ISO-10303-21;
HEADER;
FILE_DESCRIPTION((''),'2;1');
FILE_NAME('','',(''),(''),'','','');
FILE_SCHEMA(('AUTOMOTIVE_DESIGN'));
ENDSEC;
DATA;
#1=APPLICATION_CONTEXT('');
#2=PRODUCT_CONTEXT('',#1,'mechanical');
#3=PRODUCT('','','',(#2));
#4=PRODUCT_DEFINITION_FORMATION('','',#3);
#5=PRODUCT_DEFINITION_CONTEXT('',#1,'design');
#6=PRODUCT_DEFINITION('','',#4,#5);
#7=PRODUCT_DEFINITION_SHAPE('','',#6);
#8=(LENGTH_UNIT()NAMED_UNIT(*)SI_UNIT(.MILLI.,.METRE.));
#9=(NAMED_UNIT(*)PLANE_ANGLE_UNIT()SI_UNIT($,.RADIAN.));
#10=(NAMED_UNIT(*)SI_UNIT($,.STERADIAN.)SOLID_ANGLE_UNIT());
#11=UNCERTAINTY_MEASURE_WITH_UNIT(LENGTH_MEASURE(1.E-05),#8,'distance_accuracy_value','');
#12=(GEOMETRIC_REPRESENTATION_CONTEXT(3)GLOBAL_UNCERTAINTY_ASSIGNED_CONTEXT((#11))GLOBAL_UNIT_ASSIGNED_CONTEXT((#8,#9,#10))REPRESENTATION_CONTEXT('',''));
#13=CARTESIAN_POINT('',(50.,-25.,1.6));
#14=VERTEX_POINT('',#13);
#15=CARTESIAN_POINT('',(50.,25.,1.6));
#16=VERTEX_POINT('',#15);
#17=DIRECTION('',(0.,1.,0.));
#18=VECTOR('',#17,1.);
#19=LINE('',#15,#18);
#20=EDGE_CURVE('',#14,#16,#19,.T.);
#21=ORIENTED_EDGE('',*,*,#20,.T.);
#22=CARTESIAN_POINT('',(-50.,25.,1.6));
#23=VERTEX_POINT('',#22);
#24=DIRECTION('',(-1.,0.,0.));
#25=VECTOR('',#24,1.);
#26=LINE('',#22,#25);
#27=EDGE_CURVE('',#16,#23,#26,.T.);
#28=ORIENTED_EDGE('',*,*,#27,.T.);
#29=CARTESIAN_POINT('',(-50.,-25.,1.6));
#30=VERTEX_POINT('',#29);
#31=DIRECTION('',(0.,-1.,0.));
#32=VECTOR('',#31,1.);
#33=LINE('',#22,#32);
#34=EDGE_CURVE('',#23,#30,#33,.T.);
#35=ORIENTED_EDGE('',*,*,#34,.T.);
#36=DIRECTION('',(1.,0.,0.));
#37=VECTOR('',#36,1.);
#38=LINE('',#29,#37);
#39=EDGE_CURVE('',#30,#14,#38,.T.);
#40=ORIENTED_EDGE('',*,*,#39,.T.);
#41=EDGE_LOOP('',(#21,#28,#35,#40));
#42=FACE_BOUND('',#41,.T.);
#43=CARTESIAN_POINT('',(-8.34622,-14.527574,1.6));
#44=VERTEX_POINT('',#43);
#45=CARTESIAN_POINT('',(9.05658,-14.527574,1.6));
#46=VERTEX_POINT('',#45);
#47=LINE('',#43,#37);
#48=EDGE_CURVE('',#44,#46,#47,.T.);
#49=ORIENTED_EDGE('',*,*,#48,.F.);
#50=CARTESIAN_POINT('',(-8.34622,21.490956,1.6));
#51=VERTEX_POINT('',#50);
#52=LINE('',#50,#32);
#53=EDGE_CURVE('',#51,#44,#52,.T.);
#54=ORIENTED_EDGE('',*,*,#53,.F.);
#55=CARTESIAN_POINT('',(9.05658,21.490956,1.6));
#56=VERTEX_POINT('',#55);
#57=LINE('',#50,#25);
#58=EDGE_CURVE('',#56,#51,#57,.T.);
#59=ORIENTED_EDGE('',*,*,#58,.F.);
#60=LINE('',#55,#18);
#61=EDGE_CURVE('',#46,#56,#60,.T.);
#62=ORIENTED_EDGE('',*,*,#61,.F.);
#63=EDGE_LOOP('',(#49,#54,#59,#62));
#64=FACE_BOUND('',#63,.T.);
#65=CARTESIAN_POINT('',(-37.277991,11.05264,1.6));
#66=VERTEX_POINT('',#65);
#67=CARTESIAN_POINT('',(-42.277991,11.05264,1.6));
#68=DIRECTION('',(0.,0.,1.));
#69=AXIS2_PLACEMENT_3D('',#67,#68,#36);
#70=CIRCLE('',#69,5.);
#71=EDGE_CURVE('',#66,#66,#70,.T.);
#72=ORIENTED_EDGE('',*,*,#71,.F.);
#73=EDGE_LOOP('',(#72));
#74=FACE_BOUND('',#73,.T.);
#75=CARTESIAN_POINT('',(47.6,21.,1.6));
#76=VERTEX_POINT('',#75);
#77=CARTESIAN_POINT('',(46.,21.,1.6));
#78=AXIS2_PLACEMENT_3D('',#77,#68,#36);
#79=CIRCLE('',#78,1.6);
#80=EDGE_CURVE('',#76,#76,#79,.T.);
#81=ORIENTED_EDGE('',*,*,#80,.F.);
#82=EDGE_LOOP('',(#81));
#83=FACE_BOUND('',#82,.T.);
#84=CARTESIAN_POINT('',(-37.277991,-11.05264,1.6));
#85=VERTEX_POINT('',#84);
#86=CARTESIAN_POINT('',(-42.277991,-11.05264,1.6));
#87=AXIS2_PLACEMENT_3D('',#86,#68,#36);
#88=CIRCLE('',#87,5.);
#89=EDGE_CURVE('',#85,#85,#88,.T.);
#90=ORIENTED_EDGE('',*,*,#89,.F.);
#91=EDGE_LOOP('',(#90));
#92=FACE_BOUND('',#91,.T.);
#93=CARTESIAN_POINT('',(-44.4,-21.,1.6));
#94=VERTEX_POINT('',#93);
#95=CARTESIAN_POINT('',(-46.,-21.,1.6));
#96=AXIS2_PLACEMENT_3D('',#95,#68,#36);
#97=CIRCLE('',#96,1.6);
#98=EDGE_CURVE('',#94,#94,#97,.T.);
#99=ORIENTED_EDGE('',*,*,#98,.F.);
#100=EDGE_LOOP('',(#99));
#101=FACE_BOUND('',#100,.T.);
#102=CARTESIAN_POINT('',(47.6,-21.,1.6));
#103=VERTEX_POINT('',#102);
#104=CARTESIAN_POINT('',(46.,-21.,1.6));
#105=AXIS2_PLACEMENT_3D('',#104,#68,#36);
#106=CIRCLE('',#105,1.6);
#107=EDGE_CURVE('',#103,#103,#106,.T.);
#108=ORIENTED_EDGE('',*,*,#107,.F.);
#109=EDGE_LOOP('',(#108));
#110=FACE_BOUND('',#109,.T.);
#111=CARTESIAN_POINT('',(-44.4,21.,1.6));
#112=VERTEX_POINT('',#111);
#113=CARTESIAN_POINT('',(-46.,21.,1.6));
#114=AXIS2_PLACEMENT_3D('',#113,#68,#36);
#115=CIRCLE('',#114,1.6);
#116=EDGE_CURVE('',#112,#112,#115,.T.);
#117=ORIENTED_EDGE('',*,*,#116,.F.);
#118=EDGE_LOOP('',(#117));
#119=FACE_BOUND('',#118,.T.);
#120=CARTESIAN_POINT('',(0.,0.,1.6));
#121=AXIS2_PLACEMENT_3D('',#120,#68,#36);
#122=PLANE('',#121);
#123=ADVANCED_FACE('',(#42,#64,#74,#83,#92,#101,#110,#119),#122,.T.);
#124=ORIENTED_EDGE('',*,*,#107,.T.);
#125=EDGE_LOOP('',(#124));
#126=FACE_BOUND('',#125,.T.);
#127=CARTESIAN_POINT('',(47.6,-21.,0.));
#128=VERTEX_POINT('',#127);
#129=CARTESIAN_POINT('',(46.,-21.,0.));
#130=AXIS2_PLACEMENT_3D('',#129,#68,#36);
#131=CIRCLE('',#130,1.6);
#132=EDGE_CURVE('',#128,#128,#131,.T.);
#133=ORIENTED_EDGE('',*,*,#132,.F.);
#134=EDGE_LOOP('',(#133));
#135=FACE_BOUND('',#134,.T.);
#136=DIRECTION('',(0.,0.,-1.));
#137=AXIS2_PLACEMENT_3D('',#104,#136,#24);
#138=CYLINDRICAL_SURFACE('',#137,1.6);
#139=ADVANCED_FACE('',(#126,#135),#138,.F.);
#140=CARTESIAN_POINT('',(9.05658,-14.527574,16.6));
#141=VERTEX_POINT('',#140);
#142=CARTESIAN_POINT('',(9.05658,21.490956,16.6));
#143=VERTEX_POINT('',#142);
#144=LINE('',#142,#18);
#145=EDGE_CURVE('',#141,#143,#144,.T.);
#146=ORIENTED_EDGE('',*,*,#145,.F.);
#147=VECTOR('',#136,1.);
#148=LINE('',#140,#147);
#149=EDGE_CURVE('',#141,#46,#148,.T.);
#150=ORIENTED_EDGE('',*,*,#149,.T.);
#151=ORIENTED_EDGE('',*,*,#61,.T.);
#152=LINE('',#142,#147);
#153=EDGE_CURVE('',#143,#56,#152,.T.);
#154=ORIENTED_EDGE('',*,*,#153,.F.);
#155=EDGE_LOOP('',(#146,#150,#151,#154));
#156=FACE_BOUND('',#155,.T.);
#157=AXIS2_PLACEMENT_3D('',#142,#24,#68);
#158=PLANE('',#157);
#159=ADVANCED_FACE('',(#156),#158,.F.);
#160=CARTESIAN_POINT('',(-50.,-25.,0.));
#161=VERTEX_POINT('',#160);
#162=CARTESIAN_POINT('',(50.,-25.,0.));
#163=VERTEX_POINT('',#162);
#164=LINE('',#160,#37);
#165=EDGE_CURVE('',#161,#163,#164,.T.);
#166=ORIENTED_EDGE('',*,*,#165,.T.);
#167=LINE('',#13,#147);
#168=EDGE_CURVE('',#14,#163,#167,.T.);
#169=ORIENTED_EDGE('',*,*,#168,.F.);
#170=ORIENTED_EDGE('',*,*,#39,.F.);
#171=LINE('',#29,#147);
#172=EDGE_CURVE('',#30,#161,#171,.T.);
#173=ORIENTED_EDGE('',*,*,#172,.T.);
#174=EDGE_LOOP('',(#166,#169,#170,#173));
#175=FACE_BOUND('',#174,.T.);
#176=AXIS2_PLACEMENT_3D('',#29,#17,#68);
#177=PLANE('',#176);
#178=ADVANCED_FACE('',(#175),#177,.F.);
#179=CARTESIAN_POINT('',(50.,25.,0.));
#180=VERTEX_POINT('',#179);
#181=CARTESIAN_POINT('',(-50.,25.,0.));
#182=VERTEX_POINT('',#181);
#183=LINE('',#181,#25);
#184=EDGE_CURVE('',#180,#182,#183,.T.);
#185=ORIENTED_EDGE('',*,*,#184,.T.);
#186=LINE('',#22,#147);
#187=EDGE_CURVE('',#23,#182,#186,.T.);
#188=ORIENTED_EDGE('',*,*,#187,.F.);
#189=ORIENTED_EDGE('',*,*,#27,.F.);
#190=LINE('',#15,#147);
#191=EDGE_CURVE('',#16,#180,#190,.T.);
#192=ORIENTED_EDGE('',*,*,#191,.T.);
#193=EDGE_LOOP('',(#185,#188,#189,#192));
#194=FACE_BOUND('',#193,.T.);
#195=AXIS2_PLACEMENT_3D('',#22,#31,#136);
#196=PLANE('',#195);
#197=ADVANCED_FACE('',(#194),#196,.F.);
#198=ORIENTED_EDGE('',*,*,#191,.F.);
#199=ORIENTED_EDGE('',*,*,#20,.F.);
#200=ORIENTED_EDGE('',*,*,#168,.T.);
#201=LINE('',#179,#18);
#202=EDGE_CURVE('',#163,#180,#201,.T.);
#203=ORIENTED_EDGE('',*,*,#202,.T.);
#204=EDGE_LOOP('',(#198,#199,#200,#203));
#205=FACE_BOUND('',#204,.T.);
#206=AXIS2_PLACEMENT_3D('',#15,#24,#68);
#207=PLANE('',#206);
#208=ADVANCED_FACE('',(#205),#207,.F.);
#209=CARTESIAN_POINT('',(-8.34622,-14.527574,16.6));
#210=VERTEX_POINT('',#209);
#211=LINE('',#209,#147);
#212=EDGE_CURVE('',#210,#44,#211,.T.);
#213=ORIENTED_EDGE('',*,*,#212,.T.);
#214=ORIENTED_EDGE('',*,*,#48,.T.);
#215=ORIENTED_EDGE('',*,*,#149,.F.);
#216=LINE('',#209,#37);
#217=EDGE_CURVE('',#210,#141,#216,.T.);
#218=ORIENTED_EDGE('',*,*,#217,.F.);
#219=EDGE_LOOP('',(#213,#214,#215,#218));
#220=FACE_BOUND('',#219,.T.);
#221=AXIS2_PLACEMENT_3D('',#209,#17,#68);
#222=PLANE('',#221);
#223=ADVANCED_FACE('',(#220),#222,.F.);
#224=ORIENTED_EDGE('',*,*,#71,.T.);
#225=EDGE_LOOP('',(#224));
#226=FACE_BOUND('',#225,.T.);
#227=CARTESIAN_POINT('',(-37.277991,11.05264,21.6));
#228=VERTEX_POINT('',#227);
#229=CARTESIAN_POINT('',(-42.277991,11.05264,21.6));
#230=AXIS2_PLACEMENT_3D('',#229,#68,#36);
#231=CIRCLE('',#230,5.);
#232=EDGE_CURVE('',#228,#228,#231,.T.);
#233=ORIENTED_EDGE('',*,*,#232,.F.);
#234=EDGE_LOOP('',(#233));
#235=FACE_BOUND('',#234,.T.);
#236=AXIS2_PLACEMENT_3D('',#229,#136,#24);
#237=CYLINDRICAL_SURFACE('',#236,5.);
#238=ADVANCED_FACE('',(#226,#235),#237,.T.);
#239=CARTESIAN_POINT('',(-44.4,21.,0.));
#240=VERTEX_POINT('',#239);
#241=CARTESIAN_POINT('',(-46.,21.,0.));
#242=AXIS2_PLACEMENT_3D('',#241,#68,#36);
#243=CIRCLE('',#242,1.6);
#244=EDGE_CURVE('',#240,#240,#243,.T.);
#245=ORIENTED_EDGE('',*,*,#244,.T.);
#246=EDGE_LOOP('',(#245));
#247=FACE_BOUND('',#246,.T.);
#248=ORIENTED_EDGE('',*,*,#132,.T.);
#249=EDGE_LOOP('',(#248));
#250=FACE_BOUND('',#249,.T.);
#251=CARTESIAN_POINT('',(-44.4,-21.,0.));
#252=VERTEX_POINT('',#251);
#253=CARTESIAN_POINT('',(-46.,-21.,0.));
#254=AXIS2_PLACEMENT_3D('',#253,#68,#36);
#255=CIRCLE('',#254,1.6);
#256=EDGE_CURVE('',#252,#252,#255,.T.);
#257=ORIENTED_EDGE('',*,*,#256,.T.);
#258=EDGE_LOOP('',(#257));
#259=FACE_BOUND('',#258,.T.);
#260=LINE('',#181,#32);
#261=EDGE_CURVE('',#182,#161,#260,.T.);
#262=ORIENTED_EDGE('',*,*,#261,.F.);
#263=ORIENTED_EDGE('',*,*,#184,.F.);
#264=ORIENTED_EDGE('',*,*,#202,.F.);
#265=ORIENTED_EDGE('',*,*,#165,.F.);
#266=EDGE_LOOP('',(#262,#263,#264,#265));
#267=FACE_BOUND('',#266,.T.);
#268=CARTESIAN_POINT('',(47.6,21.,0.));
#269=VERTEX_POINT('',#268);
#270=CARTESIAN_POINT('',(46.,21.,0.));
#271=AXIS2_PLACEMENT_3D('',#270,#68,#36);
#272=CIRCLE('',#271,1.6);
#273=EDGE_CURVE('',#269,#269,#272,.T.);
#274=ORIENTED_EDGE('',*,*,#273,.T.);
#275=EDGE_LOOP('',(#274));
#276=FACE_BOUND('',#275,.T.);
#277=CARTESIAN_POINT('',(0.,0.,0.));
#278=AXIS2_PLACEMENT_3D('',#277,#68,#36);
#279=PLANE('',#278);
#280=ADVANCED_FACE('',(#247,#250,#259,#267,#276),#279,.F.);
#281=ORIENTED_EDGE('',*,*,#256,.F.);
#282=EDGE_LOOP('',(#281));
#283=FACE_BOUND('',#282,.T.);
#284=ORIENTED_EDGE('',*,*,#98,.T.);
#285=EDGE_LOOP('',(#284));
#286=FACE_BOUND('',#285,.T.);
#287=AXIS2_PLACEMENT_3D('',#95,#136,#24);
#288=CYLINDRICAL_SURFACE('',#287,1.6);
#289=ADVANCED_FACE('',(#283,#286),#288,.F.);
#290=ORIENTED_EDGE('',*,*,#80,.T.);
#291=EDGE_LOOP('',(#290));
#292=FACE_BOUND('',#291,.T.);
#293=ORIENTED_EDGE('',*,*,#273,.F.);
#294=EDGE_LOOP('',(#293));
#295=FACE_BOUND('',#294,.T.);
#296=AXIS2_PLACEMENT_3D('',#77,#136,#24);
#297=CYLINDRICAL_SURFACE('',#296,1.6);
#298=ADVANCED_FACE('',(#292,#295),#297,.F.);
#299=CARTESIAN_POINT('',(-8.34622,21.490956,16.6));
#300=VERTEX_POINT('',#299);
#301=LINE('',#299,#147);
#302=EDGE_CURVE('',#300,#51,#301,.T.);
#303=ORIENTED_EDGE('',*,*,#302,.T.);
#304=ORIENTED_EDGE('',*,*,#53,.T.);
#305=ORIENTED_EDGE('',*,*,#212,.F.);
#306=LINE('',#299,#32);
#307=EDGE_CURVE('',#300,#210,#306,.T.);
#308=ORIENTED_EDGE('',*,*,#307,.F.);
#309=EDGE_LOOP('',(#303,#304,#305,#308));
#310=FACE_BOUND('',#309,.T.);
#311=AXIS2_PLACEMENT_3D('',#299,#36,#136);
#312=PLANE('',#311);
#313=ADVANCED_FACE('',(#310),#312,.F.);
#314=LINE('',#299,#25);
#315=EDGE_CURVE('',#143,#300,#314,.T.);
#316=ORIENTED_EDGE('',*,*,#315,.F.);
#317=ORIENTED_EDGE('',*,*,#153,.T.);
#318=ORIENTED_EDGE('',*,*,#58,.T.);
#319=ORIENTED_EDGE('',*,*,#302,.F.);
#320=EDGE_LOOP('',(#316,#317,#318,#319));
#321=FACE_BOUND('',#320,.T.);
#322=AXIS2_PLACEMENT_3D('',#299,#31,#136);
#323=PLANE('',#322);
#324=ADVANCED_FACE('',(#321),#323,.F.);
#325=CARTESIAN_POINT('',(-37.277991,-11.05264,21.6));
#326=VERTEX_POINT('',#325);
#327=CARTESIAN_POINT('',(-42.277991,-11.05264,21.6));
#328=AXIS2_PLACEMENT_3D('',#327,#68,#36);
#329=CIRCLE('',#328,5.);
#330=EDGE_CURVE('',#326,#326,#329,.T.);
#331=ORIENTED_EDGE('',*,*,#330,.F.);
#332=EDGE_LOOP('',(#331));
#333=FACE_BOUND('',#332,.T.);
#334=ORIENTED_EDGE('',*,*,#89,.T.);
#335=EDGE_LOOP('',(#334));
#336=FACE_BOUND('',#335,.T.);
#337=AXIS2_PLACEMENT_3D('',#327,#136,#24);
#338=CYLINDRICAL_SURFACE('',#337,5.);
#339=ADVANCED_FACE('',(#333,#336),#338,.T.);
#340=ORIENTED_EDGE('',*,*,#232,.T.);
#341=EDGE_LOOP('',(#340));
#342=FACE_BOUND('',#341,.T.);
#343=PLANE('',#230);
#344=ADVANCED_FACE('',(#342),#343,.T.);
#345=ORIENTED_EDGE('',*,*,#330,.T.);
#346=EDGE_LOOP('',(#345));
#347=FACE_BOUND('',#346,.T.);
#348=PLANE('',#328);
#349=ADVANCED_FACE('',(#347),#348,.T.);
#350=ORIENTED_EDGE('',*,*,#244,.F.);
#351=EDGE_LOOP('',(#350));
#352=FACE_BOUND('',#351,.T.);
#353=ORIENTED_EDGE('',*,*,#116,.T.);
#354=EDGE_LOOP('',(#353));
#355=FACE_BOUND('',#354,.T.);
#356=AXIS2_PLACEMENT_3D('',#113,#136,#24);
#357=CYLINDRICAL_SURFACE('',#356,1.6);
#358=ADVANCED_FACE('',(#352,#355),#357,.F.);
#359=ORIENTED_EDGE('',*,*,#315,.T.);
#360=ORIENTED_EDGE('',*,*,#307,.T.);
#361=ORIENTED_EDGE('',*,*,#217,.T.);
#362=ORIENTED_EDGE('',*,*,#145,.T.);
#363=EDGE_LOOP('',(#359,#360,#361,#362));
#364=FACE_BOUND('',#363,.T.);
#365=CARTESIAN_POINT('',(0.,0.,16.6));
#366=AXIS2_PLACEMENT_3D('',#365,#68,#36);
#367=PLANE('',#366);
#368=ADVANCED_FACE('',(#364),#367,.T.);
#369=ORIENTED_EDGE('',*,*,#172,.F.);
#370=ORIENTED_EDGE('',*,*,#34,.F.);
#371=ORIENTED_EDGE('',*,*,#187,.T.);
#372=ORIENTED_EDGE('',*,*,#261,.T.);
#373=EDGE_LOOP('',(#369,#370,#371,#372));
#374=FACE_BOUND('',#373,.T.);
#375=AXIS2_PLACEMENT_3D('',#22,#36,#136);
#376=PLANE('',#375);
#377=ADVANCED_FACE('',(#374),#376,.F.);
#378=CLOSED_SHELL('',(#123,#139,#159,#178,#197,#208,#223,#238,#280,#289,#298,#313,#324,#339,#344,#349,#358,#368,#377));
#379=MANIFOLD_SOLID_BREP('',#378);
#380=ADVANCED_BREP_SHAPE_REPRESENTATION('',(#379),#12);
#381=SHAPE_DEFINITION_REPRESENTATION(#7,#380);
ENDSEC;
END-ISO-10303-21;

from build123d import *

# Parameters (mm, degrees)
ESQUISSE1_W        = 100
ESQUISSE1_H        = 50
ESQUISSE1_R        = 1.6
BOSS_EXTRU_1_DEPTH = 1.6
ESQUISSE2_R        = 5
BOSS_EXTRU_2_DEPTH = 20
ESQUISSE3_W        = 17.40280045
ESQUISSE3_H        = 36.018530138
BOSS_EXTRU_3_DEPTH = 15


with BuildPart() as part:
    # Esquisse1 → Boss.-Extru.1 (new body)
    with BuildSketch(Plane.XY):
        Rectangle(ESQUISSE1_W, ESQUISSE1_H)
        with Locations((-46, 21)):
            Circle(ESQUISSE1_R, mode=Mode.SUBTRACT)
        with Locations((46, 21)):
            Circle(ESQUISSE1_R, mode=Mode.SUBTRACT)
        with Locations((46, -21)):
            Circle(ESQUISSE1_R, mode=Mode.SUBTRACT)
        with Locations((-46, -21)):
            Circle(ESQUISSE1_R, mode=Mode.SUBTRACT)
    extrude(amount=BOSS_EXTRU_1_DEPTH)

    # Esquisse2 → Boss.-Extru.2 (add)
    with BuildSketch(Plane.XY.offset(1.6)):
        with Locations((-42.277991317, 11.052639899)):
            Circle(ESQUISSE2_R)
        with Locations((-42.277991317, -11.052639899)):
            Circle(ESQUISSE2_R)
    extrude(amount=BOSS_EXTRU_2_DEPTH)

    # Esquisse3 → Boss.-Extru.3 (add)
    with BuildSketch(Plane.XY.offset(1.6)):
        with Locations((0.355180215, 3.481690573)):
            Rectangle(ESQUISSE3_W, ESQUISSE3_H)
    extrude(amount=BOSS_EXTRU_3_DEPTH)


solid = part.part
